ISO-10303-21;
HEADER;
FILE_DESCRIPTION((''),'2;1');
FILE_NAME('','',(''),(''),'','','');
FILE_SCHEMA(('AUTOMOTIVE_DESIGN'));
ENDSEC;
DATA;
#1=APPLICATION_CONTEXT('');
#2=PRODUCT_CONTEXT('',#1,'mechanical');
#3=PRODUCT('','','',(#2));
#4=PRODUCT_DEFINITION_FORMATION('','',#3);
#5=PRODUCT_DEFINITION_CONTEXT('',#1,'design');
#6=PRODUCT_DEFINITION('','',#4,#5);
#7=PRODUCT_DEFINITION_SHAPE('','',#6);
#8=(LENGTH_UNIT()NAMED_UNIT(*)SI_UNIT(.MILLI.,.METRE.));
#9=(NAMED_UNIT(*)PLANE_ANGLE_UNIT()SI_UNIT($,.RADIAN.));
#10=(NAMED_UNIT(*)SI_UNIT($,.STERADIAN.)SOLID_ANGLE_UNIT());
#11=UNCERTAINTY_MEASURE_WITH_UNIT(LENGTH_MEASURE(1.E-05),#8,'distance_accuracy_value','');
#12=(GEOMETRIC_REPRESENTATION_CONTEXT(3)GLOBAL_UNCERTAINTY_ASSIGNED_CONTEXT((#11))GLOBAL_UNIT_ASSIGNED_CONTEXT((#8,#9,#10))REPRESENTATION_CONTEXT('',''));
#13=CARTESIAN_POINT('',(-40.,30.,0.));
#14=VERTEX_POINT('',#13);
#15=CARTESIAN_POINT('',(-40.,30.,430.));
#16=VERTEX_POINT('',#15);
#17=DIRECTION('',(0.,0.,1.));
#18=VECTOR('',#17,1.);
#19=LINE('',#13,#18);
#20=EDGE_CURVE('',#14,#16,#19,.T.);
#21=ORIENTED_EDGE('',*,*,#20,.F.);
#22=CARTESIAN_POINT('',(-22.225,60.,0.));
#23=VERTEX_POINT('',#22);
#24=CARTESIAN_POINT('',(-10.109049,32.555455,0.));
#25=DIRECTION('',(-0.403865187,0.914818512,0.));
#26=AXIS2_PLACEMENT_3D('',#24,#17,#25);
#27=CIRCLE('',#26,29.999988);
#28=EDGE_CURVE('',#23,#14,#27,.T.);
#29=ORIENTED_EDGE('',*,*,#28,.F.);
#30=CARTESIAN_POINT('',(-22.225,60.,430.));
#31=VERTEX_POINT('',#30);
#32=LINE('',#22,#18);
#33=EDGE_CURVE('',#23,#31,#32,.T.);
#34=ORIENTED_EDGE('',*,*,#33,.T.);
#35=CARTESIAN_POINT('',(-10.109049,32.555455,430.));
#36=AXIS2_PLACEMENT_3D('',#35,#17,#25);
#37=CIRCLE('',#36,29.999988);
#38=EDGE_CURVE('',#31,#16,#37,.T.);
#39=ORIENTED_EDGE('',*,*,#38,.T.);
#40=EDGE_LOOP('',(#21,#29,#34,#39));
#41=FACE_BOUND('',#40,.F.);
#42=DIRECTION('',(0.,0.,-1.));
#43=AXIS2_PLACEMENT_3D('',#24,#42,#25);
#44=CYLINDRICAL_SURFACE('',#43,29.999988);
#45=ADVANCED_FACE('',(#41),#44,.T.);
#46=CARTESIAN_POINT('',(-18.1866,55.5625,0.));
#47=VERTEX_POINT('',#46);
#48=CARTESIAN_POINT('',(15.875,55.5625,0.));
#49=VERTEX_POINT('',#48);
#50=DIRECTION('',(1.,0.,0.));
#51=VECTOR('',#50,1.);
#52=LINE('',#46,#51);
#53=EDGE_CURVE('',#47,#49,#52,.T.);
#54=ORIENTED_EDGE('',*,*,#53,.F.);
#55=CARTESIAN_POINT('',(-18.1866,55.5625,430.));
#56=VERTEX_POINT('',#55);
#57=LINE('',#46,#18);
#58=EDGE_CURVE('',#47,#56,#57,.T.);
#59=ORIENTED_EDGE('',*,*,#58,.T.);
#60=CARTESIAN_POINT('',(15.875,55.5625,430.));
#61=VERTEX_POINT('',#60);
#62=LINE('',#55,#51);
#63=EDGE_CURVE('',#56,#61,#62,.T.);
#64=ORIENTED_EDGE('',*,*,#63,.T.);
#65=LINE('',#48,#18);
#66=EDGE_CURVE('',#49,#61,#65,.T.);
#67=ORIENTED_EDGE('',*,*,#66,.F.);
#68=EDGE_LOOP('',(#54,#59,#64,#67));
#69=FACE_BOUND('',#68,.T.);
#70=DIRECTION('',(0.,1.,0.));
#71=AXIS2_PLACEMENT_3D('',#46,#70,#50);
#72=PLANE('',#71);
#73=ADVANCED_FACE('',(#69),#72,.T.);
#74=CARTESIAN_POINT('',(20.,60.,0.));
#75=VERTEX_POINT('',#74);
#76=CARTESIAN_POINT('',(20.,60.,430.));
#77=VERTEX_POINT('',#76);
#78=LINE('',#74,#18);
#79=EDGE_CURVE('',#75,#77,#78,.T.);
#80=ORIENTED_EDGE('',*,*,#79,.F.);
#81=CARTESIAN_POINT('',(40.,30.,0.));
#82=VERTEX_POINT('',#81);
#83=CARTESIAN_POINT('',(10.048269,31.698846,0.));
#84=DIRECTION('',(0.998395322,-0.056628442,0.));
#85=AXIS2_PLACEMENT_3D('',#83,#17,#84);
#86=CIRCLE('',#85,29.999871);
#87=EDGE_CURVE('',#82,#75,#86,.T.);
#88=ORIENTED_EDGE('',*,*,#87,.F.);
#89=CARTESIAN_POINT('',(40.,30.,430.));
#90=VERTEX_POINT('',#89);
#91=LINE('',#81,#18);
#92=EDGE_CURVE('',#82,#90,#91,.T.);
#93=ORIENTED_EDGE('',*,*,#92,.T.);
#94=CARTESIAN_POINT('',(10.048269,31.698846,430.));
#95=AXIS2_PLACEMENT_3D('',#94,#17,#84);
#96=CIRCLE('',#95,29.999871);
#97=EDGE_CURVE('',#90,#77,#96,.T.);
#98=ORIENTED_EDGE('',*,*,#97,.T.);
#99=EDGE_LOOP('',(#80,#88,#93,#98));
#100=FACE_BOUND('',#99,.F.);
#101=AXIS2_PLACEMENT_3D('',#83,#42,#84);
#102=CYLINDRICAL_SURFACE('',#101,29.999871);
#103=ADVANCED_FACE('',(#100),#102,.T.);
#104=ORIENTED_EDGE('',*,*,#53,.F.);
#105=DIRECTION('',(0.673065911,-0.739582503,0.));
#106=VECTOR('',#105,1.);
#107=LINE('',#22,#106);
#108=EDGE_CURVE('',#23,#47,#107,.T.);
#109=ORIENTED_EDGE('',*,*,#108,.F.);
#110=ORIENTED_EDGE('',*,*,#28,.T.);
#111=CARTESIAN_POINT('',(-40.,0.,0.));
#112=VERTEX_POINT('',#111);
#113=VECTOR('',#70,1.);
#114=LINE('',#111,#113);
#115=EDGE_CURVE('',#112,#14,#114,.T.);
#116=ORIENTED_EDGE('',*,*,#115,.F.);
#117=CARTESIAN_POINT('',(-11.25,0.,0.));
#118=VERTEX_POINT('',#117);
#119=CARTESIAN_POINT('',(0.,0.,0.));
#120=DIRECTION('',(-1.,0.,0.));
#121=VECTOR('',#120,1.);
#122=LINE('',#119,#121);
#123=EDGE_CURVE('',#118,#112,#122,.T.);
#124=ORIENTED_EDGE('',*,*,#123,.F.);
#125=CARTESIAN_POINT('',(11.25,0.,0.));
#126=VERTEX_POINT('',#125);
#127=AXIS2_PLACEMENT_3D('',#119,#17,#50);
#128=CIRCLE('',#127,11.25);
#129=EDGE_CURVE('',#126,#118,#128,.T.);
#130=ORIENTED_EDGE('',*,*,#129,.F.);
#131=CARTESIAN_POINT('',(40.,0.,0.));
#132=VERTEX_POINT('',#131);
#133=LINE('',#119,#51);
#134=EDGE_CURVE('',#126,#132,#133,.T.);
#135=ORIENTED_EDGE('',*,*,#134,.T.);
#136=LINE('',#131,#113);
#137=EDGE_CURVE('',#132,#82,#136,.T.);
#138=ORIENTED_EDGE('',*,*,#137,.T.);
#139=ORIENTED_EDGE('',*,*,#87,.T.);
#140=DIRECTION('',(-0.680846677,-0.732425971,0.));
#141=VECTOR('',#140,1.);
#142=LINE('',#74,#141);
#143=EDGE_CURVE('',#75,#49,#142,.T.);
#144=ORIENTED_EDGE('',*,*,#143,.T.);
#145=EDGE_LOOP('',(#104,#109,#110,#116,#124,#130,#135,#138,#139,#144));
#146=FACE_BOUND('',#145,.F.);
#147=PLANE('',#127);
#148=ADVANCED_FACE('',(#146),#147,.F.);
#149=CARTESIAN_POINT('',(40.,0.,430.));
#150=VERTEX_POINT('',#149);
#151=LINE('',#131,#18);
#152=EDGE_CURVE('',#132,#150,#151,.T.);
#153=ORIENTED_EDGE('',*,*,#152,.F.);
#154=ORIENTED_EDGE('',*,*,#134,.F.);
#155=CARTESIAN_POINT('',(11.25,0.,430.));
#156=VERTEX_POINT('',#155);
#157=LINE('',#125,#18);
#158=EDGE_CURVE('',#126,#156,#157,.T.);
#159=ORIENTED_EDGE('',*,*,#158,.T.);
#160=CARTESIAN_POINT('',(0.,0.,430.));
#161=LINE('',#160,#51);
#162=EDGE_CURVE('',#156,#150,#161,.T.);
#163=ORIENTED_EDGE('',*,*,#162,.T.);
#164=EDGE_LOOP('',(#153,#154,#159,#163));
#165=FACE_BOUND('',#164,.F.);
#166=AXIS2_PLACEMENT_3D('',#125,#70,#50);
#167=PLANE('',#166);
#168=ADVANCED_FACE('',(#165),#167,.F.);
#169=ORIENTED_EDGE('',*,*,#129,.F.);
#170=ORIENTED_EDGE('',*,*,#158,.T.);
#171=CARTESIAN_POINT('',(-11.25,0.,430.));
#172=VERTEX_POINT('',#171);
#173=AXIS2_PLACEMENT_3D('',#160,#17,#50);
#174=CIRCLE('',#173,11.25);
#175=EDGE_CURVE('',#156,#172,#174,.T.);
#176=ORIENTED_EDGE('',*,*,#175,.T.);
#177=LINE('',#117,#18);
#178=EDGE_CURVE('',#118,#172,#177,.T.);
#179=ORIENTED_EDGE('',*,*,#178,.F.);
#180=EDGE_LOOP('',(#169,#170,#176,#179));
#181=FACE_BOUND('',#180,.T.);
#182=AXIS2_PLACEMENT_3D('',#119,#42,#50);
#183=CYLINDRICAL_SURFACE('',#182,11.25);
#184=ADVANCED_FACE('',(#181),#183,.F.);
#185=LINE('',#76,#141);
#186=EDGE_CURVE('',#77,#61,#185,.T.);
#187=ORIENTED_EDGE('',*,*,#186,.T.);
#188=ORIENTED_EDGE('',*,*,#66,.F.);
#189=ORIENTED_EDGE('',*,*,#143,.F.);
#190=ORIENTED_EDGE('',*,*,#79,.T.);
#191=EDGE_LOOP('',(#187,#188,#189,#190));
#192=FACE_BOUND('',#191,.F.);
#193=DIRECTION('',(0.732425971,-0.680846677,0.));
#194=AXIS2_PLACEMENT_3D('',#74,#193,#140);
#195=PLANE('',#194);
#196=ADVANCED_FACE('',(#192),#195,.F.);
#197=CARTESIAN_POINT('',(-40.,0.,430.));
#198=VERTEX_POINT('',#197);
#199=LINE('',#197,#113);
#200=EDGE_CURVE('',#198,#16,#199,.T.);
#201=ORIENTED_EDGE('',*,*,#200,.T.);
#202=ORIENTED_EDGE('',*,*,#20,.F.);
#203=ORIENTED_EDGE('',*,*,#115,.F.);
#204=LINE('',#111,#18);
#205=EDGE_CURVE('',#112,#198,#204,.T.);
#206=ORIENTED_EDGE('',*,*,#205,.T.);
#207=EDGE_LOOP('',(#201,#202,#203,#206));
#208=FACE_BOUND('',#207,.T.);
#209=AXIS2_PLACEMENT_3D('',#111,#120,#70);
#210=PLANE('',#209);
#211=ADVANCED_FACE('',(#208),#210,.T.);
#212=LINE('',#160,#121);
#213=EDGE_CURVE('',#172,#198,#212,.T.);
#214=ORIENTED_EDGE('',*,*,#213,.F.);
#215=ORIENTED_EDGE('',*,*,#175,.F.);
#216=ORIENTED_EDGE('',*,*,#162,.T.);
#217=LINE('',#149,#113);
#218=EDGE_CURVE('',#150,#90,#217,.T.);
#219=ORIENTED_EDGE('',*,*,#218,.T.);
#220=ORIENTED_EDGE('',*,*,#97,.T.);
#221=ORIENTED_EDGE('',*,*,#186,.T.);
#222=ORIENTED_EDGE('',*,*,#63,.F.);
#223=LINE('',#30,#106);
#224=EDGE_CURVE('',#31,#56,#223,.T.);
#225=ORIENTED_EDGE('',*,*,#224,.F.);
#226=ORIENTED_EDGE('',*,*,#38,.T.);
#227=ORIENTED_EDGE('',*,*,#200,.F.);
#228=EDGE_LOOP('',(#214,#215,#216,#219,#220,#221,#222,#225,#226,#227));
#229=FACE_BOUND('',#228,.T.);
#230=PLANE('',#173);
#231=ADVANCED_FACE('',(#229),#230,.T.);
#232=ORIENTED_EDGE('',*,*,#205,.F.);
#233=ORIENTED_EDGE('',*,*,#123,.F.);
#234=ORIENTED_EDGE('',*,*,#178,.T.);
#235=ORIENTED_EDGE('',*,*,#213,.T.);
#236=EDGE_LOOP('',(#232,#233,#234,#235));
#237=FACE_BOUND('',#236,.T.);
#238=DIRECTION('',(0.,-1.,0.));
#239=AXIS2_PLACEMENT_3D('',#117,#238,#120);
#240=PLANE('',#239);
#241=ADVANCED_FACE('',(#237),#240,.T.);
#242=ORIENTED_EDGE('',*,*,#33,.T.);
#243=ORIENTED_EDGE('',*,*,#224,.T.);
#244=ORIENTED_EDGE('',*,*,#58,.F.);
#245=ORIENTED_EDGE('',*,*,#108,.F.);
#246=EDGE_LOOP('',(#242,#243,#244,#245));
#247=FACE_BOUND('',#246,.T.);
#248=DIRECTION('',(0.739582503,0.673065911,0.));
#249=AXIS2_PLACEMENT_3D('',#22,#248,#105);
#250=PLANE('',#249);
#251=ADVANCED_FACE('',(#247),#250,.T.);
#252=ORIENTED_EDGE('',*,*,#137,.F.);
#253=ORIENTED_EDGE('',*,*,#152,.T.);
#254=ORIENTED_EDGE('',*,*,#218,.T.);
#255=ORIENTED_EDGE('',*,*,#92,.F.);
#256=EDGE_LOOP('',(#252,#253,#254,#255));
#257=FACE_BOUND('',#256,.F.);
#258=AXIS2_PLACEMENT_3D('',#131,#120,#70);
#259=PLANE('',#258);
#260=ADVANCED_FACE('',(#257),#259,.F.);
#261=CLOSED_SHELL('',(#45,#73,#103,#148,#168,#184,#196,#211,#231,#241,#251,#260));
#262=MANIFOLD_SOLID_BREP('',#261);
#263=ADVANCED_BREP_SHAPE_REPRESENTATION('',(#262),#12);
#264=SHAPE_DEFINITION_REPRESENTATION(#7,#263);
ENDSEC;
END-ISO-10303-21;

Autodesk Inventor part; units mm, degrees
ref_plane "YZ Plane" through (0, 0, 0) normal (1, 0, 0) x (0, 1, 0)
ref_plane "XZ Plane" through (0, 0, 0) normal (0, 1, 0) x (-1, 0, 0)
ref_plane "XY Plane" through (0, 0, 0) normal (0, 0, 1) x (1, 0, 0)
sketch "Sketch1" plane through (0, 0, 0) normal (0, 0, 1) x (1, 0, 0)
  line L0 (0, 0) -> (40, 0)
  line L1 (40, 0) -> (40, 30)
  line L2 (0, 0) -> (-40, 0)
  line L3 (-40, 0) -> (-40, 30)
  arc A0 (-22.225, 60) -> (-40, 30) centre (-10.109, 32.5554) ccw
  arc A1 (40, 30) -> (20, 60) centre (10.0481, 31.6988) ccw
  line L4 (-22.225, 60) -> (-18.1866, 55.5625)
  line L5 (20, 60) -> (15.875, 55.5625)
  line L6 (-18.1866, 55.5625) -> (15.875, 55.5625)
  circle A2 centre (0, 0) radius 11.25
  point P0 (0, 20)
  point P1 (-11.25, 0)
  point P2 (11.25, 0)
  dimension "d0" = 40
  dimension "d1" = 30
  dimension "d2" = 40
  dimension "d3" = 30
  dimension "d4" = 30
  dimension "d5" = 60
  dimension "d7" = 6
  dimension "d9" = 20
  dimension "d10" = 22.5
extrude "Extrusion1" add sketch "Sketch1" along normal blind 430 contours A2 L2 L3 A0 L4 L6 L5 A1 L1 L0
properties part number "arm rest final 1"
